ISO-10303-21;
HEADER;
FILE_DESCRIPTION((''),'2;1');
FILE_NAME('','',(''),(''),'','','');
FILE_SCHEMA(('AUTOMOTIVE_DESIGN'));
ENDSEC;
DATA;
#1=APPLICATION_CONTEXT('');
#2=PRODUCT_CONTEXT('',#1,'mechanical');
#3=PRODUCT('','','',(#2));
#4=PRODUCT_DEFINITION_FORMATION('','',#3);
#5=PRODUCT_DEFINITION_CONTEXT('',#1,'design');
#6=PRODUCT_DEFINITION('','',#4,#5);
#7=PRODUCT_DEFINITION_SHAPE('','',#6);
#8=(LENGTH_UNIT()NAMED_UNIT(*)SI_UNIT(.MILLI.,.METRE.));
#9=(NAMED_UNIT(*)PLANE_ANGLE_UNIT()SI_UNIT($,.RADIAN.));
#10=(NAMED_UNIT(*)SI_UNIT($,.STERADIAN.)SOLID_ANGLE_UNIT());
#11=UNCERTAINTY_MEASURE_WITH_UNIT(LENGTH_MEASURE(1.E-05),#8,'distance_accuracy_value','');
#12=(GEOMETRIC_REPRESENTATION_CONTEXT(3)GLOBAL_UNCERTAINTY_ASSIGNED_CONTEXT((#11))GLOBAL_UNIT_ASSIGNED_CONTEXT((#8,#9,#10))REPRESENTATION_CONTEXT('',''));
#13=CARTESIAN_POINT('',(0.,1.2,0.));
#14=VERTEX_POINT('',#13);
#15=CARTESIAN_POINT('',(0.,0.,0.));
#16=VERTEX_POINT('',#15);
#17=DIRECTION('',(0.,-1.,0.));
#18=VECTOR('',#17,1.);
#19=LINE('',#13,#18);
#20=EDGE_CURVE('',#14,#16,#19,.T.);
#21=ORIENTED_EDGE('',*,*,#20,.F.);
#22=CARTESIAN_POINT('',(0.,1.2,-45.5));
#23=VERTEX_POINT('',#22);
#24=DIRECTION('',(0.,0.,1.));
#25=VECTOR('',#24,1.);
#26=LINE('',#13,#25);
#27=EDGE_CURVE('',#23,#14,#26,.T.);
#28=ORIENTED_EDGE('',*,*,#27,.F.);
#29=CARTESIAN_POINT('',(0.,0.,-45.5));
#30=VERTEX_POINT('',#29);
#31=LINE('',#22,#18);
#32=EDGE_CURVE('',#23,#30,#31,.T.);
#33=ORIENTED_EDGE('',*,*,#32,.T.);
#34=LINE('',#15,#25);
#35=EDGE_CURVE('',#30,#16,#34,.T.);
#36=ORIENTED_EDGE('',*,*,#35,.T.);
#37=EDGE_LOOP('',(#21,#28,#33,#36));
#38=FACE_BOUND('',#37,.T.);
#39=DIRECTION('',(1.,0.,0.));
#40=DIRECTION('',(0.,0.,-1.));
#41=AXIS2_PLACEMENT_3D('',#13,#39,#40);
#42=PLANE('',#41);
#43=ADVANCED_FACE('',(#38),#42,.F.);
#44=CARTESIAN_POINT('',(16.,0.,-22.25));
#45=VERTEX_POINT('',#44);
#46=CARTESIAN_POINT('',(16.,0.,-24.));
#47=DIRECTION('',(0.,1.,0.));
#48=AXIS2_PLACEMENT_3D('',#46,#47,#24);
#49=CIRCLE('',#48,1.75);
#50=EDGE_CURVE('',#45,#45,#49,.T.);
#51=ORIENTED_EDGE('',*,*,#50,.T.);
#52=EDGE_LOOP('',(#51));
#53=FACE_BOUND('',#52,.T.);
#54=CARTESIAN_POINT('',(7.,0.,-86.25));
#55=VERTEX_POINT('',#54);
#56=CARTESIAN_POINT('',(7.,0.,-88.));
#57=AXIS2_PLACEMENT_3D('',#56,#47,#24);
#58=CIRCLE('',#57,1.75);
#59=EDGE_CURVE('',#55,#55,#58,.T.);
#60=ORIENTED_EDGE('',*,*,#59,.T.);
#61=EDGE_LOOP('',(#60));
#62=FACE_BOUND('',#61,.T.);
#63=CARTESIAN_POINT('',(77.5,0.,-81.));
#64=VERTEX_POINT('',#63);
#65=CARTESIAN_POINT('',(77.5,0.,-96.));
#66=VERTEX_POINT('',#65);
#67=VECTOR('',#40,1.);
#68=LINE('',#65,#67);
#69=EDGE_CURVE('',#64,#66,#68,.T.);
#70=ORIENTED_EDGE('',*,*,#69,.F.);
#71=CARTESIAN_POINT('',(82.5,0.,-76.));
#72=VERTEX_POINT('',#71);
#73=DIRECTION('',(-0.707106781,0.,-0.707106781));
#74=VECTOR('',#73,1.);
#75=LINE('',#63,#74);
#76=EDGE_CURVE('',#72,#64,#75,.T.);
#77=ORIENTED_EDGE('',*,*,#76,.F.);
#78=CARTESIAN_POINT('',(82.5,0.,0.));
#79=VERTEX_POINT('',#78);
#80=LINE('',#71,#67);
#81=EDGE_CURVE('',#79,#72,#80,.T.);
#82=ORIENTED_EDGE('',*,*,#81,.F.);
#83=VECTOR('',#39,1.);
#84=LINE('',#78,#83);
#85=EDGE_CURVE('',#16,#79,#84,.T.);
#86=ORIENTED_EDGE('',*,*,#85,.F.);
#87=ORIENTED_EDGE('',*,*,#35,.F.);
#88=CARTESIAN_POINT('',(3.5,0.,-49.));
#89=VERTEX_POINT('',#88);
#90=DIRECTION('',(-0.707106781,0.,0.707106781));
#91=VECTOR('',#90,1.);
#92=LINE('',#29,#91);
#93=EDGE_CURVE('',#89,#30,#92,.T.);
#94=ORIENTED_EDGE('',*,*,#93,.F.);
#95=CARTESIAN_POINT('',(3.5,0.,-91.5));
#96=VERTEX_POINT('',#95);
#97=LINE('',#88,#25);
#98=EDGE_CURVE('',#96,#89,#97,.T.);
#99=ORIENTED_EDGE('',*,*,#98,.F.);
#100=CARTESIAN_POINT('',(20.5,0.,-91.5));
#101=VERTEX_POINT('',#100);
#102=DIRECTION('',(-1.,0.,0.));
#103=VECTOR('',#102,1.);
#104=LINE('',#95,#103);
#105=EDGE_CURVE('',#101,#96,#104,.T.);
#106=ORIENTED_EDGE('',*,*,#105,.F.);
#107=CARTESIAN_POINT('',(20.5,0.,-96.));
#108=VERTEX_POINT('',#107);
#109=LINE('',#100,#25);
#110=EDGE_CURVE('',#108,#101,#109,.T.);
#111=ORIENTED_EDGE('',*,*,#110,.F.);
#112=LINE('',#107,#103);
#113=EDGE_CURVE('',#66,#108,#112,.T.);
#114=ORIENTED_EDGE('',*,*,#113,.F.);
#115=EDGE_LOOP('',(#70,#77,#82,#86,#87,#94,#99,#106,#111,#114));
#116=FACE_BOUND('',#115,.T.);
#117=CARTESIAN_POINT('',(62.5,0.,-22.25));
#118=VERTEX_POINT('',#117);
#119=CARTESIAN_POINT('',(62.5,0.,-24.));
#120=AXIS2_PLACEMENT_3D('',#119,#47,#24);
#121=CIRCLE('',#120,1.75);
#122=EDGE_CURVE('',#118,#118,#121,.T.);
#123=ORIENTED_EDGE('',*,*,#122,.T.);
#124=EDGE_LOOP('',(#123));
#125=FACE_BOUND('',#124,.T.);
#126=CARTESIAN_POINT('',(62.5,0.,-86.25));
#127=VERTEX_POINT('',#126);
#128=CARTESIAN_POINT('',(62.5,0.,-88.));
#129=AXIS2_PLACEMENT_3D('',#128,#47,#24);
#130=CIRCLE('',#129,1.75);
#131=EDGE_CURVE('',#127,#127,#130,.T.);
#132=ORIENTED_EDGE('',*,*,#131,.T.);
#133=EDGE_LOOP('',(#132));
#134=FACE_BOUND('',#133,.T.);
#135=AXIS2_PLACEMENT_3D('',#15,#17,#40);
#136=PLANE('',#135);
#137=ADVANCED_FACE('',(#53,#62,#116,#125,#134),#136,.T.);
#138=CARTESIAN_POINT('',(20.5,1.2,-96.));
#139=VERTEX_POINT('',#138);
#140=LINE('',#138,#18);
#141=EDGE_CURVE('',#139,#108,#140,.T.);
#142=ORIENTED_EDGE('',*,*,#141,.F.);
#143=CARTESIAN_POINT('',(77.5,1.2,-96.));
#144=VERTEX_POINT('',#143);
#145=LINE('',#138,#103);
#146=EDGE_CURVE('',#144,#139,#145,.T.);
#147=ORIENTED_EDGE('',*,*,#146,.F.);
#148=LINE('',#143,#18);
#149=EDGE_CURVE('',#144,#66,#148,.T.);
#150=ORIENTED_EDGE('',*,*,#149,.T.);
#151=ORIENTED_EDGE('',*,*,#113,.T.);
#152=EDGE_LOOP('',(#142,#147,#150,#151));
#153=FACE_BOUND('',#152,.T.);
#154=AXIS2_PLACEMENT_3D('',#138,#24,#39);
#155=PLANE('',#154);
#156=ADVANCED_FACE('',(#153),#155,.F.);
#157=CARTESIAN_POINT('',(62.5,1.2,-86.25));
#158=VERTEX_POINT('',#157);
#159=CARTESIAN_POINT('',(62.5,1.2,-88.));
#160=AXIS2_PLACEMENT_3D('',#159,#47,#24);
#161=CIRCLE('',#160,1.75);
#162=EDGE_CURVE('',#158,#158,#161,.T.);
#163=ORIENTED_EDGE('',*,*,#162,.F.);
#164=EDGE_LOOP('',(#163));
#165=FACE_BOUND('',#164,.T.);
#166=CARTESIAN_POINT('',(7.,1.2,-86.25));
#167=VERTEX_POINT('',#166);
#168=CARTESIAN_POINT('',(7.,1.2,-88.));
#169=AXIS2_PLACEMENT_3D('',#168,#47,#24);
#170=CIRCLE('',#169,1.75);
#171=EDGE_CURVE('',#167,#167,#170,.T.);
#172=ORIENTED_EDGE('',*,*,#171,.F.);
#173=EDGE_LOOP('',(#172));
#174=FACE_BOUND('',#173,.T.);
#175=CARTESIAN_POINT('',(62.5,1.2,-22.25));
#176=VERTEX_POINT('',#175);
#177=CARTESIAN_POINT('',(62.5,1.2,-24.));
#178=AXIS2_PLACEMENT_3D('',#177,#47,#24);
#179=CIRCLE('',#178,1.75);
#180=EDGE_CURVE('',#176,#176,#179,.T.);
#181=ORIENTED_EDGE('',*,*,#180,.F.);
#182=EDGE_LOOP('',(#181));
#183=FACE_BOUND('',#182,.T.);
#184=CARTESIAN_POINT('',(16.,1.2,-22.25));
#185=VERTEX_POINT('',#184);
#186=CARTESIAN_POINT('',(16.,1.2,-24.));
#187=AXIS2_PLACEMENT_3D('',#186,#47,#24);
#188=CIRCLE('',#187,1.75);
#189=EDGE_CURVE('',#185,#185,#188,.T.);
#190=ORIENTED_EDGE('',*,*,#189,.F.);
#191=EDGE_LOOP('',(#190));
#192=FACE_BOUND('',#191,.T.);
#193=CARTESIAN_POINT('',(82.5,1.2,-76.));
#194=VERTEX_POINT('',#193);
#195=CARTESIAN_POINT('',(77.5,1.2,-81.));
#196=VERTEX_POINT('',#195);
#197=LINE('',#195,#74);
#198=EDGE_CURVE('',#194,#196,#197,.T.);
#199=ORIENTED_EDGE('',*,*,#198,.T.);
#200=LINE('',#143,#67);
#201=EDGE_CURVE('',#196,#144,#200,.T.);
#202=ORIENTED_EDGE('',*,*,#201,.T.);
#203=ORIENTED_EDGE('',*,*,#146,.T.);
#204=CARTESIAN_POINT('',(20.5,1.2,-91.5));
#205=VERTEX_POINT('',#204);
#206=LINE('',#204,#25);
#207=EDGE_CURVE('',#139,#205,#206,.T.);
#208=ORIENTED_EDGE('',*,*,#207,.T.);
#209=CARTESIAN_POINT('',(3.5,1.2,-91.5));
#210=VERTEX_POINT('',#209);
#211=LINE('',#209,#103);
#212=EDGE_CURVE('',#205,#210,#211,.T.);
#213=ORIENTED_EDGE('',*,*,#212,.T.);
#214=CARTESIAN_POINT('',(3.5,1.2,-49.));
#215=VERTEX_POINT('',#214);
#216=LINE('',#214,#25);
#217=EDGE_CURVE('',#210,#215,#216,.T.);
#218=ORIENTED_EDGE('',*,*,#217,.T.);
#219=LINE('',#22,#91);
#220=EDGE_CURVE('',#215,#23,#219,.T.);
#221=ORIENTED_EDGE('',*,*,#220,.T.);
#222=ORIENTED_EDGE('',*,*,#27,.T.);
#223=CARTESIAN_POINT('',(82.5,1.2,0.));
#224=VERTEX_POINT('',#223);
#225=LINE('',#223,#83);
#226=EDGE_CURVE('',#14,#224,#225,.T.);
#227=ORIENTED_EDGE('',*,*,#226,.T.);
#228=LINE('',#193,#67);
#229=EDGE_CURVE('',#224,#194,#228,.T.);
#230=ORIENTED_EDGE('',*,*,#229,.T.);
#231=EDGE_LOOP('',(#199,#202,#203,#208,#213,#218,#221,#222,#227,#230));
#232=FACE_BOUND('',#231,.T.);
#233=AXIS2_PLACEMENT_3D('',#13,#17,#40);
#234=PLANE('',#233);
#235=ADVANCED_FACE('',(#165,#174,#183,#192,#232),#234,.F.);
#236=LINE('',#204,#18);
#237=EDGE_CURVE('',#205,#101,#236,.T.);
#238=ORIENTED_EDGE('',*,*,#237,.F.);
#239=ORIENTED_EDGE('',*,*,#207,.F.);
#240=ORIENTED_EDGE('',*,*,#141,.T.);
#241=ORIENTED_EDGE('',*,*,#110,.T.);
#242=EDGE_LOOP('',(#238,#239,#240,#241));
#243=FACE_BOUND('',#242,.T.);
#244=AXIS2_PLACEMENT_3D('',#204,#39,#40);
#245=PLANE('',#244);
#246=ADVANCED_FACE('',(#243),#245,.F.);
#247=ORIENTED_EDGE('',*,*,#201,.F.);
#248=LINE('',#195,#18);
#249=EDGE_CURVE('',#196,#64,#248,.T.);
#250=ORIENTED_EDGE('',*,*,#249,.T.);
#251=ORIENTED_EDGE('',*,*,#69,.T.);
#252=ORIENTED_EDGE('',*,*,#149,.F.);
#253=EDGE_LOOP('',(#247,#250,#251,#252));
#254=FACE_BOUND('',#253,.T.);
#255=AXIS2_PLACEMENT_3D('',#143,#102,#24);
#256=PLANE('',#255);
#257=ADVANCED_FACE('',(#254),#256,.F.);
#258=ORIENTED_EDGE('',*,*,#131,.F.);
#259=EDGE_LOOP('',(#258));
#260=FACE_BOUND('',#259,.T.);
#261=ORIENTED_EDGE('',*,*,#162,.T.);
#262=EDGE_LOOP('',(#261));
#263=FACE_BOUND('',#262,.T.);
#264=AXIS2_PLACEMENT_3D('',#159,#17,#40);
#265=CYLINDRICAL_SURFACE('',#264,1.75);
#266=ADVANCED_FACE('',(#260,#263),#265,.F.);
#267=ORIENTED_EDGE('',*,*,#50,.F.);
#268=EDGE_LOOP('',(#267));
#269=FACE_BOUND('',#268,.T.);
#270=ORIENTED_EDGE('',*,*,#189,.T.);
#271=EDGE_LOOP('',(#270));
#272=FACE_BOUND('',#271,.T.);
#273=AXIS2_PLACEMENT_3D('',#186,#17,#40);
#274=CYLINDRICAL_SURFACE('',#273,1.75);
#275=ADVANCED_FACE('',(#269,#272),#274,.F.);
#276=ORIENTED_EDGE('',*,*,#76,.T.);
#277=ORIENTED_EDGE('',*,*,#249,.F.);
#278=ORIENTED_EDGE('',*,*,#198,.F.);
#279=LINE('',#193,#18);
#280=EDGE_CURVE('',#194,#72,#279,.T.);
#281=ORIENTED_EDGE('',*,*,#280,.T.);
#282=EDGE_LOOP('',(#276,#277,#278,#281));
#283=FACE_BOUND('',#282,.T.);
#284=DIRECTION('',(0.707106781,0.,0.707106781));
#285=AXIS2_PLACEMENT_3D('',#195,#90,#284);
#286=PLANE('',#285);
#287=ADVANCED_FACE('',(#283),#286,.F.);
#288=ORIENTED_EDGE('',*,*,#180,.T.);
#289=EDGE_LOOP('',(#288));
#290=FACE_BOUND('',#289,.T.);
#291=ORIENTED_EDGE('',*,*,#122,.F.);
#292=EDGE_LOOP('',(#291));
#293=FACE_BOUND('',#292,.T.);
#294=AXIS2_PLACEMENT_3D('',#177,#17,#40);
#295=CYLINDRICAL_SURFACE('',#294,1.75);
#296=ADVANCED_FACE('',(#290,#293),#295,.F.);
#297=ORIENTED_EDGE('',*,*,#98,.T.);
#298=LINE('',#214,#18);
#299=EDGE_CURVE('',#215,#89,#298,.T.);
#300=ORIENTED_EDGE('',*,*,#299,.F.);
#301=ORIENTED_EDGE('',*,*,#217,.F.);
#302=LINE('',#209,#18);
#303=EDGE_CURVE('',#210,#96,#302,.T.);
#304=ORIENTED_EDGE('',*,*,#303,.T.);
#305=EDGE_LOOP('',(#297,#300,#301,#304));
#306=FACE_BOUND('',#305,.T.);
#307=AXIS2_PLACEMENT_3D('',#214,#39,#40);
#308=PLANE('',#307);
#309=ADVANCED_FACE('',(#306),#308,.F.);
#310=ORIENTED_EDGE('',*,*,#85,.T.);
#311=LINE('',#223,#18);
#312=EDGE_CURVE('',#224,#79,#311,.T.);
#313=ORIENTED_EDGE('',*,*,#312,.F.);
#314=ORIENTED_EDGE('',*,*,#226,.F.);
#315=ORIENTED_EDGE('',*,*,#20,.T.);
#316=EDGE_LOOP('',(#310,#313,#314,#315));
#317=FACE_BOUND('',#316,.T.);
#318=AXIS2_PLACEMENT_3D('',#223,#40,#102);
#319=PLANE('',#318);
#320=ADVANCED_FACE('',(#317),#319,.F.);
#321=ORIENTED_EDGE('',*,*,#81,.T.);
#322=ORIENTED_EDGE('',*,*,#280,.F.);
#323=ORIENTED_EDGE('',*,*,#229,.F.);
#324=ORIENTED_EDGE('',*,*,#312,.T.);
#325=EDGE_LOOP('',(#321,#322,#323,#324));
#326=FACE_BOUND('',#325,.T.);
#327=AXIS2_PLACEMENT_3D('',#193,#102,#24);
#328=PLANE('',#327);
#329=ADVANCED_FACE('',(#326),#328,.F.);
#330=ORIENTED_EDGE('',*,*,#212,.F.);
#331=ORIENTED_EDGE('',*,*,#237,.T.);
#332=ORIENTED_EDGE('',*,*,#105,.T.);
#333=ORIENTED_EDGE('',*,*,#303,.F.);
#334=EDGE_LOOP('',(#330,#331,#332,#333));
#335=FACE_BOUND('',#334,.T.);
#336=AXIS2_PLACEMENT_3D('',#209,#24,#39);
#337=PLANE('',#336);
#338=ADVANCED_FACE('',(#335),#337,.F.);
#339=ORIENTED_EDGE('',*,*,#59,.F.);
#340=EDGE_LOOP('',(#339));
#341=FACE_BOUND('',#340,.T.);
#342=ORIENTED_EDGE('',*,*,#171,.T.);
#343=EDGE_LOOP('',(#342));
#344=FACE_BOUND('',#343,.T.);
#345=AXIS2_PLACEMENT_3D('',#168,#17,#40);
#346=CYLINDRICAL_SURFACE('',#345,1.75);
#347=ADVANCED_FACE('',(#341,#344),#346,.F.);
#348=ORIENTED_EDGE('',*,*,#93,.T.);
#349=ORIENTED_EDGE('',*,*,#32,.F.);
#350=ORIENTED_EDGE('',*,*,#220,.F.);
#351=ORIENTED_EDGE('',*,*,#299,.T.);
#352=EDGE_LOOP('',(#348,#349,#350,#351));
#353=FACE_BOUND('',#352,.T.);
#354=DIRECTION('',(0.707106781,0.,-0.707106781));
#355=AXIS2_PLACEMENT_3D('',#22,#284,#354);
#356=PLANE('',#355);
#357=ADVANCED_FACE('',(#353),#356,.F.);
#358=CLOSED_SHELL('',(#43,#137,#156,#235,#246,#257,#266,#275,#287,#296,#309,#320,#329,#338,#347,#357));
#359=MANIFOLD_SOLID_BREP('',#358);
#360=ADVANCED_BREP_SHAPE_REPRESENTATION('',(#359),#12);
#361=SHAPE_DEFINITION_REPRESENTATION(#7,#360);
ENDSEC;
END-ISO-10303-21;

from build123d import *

# Parameters (mm, degrees)
SKETCH1_R = 1.75
PCB_DEPTH = 1.2


with BuildPart() as part:
    # Sketch1 → PCB (new body)
    with BuildSketch(Plane(origin=(0, 0, 0), x_dir=(1, 0, 0), z_dir=(0, 1, 0))):
        Polygon((0, 0), (0, 45.5), (3.5, 49), (3.5, 91.5), (20.5, 91.5), (20.5, 96), (77.5, 96), (77.5, 81), (82.5, 76), (82.5, 0), align=None)
        with Locations(Location((7, 88, 0), (0, 0, 270))):
            Circle(SKETCH1_R, mode=Mode.SUBTRACT)
        with Locations(Location((62.5, 88, 0), (0, 0, 270))):
            Circle(SKETCH1_R, mode=Mode.SUBTRACT)
        with Locations(Location((62.5, 24, 0), (0, 0, 270))):
            Circle(SKETCH1_R, mode=Mode.SUBTRACT)
        with Locations(Location((16, 24, 0), (0, 0, 270))):
            Circle(SKETCH1_R, mode=Mode.SUBTRACT)
    extrude(amount=PCB_DEPTH)


solid = part.part
